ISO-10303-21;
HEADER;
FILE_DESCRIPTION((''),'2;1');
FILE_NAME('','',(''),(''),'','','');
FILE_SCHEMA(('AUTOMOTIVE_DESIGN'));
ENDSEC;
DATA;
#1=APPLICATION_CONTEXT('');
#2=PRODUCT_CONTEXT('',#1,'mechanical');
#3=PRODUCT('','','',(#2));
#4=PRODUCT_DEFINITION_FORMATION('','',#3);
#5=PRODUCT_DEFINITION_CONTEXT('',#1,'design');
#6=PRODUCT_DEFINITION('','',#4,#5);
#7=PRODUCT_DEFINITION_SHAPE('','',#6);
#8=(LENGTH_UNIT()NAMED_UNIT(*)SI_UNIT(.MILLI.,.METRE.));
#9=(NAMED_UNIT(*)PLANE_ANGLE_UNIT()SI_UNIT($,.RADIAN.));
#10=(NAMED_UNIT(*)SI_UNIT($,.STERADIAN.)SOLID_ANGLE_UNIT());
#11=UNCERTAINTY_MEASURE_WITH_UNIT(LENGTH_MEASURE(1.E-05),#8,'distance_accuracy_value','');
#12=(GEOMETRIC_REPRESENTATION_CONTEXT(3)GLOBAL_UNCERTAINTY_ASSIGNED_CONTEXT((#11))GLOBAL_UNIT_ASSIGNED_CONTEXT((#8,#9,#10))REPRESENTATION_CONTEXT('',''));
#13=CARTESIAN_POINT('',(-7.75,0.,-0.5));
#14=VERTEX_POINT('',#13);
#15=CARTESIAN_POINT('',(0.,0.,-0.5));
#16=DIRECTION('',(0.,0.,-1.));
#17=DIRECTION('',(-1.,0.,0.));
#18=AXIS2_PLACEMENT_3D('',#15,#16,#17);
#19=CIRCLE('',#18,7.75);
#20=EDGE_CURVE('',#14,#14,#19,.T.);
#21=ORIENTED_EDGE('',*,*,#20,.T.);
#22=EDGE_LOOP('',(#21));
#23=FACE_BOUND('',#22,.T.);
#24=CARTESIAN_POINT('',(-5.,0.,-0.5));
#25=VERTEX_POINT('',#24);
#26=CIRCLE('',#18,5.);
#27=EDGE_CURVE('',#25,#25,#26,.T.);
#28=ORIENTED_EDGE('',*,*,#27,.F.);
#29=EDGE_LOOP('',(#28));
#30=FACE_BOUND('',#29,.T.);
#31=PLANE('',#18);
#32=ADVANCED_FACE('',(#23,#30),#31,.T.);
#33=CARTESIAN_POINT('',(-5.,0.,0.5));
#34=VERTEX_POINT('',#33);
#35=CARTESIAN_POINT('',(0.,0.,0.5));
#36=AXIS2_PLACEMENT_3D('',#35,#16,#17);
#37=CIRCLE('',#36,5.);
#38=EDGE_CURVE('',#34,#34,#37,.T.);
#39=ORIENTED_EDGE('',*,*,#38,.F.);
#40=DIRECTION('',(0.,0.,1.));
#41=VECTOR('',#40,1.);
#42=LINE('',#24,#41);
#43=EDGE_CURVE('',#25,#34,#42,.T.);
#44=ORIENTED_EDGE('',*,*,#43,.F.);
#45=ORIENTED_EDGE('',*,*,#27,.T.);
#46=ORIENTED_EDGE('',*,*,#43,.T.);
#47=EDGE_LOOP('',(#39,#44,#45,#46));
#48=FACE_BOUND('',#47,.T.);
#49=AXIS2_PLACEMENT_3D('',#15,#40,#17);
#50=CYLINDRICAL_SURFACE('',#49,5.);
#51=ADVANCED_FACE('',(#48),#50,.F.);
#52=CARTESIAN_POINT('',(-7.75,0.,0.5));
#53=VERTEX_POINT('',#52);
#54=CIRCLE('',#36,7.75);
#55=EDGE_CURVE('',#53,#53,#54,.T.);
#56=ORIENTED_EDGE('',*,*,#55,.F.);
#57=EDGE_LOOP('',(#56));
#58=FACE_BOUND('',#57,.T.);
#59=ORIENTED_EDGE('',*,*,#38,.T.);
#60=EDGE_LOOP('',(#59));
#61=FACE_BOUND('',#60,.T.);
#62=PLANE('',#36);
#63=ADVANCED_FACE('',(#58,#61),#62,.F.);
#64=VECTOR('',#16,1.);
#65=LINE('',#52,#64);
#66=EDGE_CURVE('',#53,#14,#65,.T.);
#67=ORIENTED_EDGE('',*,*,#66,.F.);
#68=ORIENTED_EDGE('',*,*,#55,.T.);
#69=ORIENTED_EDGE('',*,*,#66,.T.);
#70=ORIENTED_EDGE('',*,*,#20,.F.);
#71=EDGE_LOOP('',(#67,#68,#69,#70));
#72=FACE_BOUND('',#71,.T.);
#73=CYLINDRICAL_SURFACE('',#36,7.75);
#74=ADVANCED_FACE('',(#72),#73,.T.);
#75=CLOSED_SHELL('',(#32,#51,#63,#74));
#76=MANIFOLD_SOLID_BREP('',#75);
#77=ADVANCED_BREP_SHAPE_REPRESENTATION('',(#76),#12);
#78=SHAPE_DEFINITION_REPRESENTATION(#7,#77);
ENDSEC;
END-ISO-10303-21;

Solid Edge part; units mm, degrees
sketch "Sketch1" plane through (0, 0, 0) normal (0, -1, 0) x (1, 0, 0)
  line L0 (-7.75, -0.5) -> (-5, -0.5)
  line L1 (-5, -0.5) -> (-5, 0.5)
  line L2 (-5, 0.5) -> (-7.75, 0.5)
  line L3 (-7.75, 0.5) -> (-7.75, -0.5)
  dimension "D1" = 5
  dimension "D2" = 1
  dimension "D3" = 2.75
revolve "RevolvedProtrusion1" add sketch "Sketch1" angle 360 about axis through (0, 0, 54) along (0, 0, -1)
properties material "Stainless steel"
